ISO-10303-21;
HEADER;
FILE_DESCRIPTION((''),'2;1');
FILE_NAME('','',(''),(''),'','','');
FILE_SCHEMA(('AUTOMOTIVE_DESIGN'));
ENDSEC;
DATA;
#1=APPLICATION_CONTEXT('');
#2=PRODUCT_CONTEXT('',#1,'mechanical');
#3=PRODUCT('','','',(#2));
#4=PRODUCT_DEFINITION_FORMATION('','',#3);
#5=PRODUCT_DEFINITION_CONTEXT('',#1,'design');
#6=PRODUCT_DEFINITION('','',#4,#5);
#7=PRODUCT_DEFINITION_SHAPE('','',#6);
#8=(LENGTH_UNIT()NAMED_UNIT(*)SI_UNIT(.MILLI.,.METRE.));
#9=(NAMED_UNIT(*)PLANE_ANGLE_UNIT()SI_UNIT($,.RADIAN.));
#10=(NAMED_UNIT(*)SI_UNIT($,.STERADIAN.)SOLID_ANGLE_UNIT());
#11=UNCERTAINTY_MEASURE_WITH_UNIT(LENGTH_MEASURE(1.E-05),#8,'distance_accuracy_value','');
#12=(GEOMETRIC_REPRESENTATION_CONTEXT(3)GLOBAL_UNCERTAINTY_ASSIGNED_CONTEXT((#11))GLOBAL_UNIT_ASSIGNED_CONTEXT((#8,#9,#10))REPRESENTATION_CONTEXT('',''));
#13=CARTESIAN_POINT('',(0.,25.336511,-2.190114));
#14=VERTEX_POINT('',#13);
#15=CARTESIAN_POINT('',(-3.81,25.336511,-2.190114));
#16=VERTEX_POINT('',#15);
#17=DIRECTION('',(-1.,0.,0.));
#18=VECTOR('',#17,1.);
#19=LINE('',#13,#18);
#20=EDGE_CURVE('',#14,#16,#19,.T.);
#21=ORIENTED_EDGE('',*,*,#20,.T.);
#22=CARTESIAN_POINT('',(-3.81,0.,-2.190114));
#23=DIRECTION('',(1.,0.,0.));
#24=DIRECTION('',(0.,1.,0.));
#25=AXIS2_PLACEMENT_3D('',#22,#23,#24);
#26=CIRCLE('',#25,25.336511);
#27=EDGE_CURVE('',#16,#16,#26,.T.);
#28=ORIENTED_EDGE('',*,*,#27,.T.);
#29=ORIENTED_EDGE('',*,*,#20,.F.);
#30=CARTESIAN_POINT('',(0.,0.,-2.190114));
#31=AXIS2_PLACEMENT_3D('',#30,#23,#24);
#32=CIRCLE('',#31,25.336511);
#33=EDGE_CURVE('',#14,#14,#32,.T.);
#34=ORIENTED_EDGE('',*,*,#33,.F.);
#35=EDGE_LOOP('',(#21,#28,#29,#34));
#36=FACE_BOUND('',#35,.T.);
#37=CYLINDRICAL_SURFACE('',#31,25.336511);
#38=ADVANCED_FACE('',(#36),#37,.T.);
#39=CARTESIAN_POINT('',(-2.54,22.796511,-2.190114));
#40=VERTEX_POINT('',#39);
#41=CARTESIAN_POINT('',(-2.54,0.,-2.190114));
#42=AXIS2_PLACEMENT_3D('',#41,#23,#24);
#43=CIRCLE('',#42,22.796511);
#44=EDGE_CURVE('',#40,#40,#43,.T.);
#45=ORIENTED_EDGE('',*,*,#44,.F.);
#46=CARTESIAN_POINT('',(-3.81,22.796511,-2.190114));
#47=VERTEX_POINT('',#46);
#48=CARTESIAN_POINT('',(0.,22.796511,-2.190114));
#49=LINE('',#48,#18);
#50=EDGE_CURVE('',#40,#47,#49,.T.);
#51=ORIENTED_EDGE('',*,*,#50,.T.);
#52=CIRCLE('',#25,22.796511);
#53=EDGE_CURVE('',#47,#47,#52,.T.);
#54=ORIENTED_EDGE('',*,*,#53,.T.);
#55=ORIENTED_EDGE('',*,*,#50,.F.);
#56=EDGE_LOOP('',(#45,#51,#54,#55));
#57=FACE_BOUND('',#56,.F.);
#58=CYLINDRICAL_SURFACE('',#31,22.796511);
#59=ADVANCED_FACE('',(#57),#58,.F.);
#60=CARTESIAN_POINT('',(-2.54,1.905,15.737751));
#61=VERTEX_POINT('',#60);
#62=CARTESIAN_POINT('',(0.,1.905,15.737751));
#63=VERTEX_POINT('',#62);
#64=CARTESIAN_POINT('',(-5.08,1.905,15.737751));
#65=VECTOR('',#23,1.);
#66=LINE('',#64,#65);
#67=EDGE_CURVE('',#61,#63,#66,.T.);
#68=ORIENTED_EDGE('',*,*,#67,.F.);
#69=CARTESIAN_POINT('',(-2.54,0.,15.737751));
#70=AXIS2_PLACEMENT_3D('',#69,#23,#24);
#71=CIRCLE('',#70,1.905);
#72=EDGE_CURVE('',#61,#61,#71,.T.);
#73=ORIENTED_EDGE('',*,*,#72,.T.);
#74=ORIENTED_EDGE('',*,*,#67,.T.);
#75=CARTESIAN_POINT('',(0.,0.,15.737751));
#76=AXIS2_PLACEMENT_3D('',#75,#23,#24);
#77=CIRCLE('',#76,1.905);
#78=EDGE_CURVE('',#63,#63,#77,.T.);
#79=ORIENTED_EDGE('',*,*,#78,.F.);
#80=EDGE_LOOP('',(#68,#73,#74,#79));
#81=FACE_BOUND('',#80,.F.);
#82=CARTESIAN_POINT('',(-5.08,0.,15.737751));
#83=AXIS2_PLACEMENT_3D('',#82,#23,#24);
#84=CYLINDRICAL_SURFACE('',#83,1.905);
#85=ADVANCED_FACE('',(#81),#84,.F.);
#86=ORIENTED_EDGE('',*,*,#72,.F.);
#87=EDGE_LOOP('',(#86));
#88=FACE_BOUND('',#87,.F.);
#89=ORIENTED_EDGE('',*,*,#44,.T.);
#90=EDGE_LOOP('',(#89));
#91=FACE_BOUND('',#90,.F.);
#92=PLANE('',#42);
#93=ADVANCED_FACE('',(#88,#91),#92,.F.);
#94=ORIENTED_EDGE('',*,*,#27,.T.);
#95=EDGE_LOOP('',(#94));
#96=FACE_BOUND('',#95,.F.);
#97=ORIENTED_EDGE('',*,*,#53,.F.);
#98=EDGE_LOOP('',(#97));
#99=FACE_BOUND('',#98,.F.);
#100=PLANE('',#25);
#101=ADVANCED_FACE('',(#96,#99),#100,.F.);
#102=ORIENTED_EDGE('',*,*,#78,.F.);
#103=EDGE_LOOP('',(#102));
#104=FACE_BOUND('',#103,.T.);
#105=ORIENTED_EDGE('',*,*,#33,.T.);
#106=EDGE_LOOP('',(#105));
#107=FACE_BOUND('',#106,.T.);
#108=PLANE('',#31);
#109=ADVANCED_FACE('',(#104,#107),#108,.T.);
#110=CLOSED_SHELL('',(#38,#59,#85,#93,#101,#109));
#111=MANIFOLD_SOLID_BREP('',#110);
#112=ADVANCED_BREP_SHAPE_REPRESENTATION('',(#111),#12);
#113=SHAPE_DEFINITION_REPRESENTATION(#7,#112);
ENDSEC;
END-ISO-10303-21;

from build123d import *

# Parameters (mm, degrees)
F0_R     = 25.336511
F1_DEPTH = 3.81
F2_T     = -2.54
F4_D     = 3.81
F4_DEPTH = 2.54


with BuildPart() as f1:
    # F0 (on Right) → F1 (new body)
    with BuildSketch(Plane.YZ):
        with Locations((0, -2.190114)):
            Circle(F0_R)
    extrude(amount=-F1_DEPTH)

    # F2
    f2_openings = [f1.faces().sort_by_distance(p)[0] for p in [
        (-3.81, 0, -2.190114),
    ]]
    offset(amount=F2_T, openings=f2_openings)

    # F4
    with Locations(Plane(origin=(-2.54, 0, 0), x_dir=(0, -1, 0), z_dir=(-1, 0, 0))):
        with Locations((0, 15.737751)):
            Hole(F4_D / 2, depth=F4_DEPTH)


solid = f1.part
